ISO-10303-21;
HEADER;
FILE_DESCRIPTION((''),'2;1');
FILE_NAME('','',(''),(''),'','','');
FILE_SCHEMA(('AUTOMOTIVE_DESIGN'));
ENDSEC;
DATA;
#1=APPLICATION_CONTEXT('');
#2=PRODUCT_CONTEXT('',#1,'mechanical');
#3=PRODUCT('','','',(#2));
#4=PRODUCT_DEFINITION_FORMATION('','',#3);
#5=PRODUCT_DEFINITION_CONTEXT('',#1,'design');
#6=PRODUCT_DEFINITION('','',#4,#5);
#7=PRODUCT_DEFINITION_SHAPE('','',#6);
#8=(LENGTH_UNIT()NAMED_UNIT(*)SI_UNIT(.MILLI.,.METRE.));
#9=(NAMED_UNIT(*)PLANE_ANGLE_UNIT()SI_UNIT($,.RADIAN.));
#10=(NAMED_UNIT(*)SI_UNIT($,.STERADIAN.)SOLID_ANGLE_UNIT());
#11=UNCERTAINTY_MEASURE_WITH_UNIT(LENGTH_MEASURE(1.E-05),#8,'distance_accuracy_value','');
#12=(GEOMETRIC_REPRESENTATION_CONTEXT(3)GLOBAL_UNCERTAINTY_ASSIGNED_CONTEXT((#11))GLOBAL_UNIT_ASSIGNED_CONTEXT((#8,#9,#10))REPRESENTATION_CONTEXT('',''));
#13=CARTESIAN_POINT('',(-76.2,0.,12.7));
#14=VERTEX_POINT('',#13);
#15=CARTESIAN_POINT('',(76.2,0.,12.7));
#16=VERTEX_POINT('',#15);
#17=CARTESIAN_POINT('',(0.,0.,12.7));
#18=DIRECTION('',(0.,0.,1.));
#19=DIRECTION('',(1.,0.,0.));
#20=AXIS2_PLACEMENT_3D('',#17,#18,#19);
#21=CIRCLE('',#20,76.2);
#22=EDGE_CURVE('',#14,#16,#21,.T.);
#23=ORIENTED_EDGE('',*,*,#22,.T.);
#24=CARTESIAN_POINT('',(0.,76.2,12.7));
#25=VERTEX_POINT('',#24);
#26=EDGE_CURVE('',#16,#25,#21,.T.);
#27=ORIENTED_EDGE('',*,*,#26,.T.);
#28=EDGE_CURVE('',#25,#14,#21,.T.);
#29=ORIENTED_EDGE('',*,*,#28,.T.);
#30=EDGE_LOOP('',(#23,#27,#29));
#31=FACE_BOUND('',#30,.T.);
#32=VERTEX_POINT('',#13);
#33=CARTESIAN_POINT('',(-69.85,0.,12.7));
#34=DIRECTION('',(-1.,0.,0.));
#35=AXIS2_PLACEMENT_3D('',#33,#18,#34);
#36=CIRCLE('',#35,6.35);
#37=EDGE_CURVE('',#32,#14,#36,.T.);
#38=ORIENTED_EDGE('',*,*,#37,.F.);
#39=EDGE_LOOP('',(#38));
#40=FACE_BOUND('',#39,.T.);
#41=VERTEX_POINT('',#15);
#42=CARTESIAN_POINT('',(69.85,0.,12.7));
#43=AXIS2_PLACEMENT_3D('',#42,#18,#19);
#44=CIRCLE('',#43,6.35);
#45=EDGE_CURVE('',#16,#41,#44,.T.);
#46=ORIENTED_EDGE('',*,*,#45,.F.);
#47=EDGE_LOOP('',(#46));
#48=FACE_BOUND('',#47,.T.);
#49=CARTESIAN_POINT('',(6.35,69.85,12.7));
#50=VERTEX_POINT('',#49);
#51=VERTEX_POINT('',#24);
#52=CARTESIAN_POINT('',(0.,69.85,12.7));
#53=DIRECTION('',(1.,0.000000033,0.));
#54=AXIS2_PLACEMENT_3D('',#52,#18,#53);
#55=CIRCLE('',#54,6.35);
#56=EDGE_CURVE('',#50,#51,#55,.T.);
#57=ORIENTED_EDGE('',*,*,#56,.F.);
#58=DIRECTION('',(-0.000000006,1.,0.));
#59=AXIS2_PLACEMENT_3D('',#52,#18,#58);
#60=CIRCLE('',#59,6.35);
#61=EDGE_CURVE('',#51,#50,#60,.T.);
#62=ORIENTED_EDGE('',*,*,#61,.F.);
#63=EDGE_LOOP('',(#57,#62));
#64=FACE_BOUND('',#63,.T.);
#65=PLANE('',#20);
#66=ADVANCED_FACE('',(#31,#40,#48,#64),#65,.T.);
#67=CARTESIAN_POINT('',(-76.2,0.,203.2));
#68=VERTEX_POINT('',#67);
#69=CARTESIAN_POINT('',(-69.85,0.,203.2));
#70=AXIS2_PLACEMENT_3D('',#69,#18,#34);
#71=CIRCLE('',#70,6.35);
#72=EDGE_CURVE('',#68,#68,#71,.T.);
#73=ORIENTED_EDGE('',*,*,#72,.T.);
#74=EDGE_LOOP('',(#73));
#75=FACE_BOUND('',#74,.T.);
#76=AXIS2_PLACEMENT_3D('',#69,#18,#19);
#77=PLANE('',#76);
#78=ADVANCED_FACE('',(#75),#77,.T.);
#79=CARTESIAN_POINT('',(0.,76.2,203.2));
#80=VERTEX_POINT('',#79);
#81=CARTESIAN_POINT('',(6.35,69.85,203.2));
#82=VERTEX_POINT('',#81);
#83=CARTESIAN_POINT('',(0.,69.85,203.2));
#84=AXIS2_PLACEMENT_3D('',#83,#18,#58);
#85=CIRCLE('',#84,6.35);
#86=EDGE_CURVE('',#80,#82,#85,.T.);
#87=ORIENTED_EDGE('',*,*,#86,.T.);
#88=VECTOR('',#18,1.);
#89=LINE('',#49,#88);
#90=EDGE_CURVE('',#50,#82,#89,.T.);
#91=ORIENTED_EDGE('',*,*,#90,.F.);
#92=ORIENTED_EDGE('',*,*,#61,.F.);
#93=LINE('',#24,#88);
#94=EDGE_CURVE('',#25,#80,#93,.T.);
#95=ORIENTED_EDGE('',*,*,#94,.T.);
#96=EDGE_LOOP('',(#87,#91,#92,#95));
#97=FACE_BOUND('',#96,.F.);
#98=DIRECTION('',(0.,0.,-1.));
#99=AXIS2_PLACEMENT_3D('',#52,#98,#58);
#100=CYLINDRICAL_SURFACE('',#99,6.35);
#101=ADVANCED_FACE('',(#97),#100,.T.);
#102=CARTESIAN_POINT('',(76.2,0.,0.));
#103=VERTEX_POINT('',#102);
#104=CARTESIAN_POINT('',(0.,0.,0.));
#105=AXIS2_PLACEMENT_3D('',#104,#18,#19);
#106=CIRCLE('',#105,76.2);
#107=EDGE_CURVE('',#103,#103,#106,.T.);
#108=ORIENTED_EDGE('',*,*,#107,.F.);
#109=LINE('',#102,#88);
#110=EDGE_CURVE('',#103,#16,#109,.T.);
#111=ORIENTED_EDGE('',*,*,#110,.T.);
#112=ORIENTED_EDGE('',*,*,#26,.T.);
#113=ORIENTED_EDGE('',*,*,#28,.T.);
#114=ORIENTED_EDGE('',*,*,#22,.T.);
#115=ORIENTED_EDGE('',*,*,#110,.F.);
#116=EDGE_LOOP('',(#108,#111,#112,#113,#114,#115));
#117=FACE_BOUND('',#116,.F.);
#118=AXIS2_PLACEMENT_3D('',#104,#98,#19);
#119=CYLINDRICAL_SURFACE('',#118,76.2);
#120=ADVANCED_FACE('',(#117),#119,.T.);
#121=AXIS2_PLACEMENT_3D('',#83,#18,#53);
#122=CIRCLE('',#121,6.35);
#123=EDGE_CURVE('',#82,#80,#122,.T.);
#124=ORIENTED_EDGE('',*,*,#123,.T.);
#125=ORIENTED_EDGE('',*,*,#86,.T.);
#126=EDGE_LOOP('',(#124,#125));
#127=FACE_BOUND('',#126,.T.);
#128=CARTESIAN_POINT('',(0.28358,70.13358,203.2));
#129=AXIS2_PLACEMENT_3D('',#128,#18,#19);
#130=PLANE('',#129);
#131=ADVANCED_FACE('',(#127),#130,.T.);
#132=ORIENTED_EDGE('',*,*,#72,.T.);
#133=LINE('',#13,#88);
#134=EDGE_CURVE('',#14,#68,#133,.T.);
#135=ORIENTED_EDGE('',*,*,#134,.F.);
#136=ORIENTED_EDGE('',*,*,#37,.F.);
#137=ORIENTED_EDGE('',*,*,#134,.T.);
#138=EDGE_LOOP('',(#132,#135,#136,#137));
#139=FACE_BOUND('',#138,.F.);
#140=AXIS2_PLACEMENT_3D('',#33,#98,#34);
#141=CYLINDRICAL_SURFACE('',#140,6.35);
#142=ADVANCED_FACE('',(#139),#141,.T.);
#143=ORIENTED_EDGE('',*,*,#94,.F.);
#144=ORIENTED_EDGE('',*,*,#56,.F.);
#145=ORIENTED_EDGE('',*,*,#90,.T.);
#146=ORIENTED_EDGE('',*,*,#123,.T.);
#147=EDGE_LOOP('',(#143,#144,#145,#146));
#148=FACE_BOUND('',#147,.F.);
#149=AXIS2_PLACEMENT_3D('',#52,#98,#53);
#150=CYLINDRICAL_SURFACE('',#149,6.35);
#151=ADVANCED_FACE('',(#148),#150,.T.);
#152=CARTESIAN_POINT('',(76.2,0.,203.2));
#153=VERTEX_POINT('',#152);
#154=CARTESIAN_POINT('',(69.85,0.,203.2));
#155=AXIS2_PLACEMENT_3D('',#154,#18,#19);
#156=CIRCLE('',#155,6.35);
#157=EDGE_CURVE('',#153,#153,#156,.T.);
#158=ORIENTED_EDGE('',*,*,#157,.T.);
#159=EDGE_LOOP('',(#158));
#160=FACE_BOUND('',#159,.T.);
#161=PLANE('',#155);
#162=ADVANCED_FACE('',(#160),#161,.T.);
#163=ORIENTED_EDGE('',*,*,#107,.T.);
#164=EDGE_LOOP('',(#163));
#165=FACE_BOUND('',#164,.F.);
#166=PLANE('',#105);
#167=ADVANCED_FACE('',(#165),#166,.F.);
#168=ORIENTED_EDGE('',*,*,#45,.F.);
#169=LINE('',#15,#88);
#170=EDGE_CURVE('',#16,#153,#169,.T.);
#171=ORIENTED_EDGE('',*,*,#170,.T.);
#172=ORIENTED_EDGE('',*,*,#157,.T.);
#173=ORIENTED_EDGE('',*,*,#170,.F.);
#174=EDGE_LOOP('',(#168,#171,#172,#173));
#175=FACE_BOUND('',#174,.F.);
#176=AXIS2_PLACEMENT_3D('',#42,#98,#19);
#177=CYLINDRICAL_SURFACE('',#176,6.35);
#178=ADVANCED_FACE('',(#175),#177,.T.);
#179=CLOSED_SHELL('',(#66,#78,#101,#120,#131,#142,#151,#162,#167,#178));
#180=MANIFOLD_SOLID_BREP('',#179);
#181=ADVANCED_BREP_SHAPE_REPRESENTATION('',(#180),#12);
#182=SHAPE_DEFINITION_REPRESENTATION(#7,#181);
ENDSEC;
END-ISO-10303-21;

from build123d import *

# Parameters (mm, degrees)
F0_R     = 76.2
F1_DEPTH = 12.7
F2_R     = 6.35
F3_DEPTH = 190.5


with BuildPart() as f1:
    # F0 (on Top) → F1 (new body)
    with BuildSketch(Plane.XY):
        Circle(F0_R)
    extrude(amount=F1_DEPTH)

    # F2 (on face) → F3 (join)
    with BuildSketch(Plane.XY.offset(12.7)):
        with BuildLine():
            ThreePointArc((-63.5, 0), (-69.85, 6.35), (-76.2, 0))
            ThreePointArc((-76.2, 0), (-69.85, -6.35), (-63.5, 0))
        make_face()
        with BuildLine():
            ThreePointArc((0, 76.2), (-4.490128, 65.359872), (6.35, 69.85))
            ThreePointArc((6.35, 69.85), (4.490128, 74.340128), (0, 76.2))
        make_face()
        with Locations((69.85, 0)):
            Circle(F2_R)
    extrude(amount=F3_DEPTH)


solid = f1.part
